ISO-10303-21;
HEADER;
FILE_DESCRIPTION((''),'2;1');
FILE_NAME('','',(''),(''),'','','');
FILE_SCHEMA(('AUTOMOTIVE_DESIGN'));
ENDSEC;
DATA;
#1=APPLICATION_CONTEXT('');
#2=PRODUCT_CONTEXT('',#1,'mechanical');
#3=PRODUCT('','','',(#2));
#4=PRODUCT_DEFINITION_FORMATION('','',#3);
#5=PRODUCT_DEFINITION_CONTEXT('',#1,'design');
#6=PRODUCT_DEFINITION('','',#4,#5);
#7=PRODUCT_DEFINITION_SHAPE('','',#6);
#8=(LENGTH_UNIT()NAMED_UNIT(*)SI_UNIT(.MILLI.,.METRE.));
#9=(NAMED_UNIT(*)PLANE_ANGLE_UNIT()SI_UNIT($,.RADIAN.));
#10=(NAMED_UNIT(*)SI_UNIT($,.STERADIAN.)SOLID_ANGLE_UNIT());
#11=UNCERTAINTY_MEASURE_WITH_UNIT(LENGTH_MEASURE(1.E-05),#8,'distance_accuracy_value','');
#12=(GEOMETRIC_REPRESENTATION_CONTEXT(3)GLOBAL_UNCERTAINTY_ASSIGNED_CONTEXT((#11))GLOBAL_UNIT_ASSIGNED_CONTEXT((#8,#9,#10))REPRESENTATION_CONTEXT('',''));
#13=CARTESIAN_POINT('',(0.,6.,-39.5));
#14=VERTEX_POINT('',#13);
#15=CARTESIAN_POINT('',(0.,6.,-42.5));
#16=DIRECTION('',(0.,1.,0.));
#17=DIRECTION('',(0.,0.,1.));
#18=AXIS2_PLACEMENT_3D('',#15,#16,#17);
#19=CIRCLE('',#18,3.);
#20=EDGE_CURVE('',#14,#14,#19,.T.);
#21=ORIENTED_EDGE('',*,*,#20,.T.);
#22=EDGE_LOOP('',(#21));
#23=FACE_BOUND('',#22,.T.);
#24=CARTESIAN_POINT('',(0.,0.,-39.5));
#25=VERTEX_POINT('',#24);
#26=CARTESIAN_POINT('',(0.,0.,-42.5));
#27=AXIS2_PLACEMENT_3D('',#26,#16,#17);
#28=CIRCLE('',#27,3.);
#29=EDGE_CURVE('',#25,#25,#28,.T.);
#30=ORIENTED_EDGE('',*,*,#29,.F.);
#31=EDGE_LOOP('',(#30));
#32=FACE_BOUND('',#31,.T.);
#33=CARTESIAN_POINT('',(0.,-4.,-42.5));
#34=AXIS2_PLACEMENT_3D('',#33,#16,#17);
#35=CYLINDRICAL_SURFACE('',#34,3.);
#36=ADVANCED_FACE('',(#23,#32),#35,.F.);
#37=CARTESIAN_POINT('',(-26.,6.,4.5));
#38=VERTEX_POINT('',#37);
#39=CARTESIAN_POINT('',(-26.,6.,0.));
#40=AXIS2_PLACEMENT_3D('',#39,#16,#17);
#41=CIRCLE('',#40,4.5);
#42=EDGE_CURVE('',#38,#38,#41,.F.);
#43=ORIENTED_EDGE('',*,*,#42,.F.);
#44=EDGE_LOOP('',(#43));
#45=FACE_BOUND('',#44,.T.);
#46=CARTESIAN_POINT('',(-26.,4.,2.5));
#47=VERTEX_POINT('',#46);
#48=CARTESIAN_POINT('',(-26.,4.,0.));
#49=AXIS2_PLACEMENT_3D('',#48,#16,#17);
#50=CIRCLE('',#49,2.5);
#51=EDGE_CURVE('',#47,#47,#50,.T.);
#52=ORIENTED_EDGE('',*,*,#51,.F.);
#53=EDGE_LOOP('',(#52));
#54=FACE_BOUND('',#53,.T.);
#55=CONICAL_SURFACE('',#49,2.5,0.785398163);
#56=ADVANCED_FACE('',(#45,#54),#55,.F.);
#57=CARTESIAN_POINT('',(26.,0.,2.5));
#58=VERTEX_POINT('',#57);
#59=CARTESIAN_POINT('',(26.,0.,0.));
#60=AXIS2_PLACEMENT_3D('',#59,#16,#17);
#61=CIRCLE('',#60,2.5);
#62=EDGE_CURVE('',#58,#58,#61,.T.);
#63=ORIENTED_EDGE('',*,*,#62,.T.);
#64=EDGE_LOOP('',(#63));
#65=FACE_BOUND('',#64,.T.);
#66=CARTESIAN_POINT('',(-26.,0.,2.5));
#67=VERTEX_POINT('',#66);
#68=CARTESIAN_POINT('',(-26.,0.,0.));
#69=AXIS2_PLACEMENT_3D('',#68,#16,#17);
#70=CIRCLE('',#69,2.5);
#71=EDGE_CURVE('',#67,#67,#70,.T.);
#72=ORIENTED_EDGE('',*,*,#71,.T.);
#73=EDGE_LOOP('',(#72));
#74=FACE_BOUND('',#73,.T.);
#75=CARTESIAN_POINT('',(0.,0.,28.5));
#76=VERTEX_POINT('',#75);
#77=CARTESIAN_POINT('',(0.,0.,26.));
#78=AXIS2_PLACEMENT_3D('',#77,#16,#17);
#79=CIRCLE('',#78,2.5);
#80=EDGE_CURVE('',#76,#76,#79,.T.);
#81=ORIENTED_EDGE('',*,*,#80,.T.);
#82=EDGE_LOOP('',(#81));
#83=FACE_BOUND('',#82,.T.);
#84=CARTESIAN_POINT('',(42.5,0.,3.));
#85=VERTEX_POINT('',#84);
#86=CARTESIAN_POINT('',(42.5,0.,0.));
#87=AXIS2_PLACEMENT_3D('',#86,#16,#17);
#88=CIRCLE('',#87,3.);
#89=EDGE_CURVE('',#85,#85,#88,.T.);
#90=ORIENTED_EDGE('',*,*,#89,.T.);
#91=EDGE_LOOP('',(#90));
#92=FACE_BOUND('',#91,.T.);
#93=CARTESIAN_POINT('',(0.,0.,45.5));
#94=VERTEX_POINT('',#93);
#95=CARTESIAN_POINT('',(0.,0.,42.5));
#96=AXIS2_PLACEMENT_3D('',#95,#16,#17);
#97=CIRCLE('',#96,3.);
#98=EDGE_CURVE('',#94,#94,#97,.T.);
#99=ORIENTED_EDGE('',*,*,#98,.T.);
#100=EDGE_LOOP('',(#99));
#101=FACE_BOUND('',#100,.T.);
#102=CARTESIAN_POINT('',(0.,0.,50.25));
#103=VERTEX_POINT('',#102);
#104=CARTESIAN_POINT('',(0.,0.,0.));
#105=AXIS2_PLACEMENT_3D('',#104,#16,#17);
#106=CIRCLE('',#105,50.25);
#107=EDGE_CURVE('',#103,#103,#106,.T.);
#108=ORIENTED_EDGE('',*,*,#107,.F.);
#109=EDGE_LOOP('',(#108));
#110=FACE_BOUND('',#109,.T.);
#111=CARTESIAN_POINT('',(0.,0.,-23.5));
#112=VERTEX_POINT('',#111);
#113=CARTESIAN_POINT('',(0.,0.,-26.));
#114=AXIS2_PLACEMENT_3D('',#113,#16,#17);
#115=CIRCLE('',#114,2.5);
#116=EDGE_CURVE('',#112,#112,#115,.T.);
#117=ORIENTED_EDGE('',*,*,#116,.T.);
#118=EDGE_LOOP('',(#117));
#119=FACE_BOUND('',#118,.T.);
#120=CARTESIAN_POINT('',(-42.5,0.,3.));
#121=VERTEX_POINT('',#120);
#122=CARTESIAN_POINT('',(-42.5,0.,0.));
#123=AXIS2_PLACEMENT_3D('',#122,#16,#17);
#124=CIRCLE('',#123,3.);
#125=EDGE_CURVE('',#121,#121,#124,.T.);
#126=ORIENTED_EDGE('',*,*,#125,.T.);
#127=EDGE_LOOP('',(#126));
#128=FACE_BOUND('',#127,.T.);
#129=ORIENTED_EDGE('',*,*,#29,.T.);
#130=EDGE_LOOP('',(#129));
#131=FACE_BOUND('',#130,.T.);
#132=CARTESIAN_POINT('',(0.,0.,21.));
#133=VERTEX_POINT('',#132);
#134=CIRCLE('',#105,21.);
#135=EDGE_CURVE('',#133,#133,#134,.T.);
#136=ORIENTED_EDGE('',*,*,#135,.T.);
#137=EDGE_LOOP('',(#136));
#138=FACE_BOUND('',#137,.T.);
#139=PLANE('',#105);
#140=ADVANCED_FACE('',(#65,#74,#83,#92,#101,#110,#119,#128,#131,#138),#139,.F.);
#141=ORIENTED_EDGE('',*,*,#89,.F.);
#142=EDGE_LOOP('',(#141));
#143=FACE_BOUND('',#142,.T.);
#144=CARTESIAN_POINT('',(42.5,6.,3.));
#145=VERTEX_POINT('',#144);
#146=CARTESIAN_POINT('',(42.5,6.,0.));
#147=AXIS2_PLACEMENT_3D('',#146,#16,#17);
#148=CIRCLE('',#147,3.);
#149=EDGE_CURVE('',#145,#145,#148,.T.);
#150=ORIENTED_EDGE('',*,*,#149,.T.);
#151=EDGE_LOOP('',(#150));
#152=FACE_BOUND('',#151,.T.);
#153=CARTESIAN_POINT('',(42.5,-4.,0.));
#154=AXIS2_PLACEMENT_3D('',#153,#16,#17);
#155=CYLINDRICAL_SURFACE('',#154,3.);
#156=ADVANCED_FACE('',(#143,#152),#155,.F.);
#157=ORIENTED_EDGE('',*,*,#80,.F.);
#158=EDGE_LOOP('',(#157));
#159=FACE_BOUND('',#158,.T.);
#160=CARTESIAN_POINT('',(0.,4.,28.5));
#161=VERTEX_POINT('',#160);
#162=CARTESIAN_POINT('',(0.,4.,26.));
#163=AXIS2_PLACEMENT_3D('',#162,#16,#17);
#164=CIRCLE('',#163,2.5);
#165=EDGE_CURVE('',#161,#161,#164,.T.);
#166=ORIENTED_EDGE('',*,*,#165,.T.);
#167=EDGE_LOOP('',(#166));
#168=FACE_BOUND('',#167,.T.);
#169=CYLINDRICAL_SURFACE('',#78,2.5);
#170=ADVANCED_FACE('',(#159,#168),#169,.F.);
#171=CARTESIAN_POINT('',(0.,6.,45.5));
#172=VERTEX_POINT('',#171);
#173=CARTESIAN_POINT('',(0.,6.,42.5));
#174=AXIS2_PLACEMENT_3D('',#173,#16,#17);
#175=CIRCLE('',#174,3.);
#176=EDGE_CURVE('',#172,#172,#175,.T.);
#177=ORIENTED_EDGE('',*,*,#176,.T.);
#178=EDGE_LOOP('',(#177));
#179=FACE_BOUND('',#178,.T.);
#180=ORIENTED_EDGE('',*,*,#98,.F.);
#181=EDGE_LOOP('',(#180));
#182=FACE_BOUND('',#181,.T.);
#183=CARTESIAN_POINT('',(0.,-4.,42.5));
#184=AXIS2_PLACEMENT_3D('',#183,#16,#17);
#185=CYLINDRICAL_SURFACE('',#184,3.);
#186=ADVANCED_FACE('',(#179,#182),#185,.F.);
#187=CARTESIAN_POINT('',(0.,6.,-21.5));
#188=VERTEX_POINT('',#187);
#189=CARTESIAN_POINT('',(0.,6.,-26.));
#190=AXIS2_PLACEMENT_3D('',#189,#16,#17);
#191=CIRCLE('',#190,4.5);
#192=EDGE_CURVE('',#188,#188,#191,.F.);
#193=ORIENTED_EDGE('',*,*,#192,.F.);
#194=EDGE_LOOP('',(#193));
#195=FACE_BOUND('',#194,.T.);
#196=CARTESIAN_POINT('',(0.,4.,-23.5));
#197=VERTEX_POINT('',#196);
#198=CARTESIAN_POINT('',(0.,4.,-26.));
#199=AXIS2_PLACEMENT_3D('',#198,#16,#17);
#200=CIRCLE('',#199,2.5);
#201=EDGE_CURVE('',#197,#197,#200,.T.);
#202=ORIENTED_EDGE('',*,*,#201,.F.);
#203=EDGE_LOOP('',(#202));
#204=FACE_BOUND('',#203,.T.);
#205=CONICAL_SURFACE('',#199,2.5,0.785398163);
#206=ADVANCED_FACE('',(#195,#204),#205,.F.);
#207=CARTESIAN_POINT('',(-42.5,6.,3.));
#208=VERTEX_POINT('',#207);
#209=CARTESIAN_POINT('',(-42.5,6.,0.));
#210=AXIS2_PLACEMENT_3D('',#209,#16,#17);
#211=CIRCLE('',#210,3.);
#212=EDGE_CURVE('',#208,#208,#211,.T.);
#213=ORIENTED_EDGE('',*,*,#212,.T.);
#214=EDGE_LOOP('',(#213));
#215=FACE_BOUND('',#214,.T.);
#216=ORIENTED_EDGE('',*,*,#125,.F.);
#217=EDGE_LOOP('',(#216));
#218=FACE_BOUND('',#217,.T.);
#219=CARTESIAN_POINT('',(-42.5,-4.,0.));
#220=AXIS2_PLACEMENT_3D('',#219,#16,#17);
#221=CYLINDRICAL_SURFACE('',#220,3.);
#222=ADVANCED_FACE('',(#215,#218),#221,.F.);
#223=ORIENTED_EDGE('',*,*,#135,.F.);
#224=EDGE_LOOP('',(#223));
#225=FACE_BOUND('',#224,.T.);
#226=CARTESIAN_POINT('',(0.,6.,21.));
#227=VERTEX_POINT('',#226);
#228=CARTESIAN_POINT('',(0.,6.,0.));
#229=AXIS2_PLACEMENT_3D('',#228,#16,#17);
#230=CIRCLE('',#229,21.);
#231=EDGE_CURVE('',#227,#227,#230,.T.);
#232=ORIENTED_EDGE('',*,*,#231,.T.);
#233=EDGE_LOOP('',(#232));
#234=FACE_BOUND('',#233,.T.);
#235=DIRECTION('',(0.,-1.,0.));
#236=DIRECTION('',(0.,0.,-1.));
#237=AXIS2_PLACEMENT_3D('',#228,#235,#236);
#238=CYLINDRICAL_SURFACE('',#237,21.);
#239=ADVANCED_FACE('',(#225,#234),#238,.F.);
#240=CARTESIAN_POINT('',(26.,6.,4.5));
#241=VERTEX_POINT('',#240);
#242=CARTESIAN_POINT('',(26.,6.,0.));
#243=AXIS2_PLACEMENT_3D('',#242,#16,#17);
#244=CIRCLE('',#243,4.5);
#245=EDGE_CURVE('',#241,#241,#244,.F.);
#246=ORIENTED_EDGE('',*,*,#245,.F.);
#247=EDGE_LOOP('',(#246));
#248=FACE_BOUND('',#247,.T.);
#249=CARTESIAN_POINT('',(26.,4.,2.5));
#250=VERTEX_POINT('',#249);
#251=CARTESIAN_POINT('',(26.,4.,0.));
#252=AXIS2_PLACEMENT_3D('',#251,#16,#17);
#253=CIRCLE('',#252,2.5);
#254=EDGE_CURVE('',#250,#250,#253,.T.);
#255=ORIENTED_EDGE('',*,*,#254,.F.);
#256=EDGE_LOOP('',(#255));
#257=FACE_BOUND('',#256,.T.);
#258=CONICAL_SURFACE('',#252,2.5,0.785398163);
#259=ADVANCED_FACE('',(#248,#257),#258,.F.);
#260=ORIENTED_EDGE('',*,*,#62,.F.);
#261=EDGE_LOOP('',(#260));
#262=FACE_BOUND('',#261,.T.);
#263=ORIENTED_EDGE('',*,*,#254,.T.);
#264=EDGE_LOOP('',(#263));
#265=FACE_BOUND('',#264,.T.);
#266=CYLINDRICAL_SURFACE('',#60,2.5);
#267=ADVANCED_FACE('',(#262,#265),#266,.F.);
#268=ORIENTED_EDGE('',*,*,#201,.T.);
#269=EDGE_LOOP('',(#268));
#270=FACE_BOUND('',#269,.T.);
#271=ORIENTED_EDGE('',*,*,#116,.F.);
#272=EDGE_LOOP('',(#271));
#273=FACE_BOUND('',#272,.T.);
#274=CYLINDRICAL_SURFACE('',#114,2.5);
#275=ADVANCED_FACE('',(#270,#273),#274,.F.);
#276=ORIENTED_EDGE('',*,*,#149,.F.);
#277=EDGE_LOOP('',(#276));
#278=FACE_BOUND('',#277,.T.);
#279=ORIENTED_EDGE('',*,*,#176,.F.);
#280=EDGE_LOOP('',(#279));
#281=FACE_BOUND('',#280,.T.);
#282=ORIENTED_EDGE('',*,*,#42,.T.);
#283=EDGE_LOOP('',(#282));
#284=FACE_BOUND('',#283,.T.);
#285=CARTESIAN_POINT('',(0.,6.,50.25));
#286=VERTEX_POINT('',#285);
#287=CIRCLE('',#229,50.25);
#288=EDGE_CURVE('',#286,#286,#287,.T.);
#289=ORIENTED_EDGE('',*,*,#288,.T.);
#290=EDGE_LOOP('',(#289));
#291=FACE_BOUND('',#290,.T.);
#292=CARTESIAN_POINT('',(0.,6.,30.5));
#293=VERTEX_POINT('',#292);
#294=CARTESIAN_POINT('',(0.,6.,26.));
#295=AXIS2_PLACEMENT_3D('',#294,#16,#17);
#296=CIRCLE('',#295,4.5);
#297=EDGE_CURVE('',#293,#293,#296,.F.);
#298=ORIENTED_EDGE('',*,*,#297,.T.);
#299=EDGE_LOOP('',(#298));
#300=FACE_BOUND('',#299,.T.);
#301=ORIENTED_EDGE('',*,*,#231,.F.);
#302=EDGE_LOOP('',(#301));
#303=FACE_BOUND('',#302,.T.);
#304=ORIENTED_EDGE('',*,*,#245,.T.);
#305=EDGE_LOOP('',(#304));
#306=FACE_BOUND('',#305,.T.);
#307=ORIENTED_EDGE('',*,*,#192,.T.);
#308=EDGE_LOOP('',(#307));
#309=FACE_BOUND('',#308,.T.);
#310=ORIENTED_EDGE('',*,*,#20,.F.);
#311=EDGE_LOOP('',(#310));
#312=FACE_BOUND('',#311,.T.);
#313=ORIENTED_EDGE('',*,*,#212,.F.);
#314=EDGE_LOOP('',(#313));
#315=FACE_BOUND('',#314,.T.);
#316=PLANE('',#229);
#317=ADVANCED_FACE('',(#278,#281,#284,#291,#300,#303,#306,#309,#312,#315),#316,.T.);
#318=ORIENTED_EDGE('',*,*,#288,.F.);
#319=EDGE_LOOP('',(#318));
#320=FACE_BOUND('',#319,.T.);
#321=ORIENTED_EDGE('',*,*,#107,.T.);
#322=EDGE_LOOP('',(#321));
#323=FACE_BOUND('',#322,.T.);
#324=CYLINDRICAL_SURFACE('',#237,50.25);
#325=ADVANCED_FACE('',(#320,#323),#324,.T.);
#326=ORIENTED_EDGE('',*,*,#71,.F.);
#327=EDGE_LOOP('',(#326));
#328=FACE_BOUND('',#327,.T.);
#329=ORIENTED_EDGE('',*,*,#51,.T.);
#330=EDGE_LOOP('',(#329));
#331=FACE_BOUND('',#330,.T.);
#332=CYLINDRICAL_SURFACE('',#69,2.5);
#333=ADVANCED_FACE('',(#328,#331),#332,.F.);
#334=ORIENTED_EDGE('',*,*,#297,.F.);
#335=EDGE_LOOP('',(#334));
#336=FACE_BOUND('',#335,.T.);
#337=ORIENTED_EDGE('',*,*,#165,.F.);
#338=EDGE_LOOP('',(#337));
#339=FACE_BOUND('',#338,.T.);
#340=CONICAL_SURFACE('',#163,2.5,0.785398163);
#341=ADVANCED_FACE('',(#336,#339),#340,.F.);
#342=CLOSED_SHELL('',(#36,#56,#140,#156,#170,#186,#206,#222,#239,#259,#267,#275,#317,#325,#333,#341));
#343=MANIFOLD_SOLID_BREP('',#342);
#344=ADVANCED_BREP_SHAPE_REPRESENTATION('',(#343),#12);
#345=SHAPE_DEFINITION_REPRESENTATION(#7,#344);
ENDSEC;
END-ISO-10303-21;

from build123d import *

# Parameters (mm, degrees)
SKETCH_1_R          = 50.25
SKETCH_1_R_2        = 21
EXTRUDE_1_DEPTH     = 6
SKETCH_2_R          = 2.5
CUT_EXTRUDE_1_DEPTH = 6
SKETCH_3_R          = 3
CUT_EXTRUDE_2_DEPTH = 10
CHAMFER_1_SIZE      = 2


with BuildPart() as part:
    # Эскиз1 → Бобышка-Вытянуть1 (new body)
    with BuildSketch(Plane(origin=(0, 0, 0), x_dir=(1, 0, 0), z_dir=(0, 1, 0))):
        with Locations(Location((0, 0, 0), (0, 0, 270))):
            Circle(SKETCH_1_R)
        with Locations(Location((0, 0, 0), (0, 0, 270))):
            Circle(SKETCH_1_R_2, mode=Mode.SUBTRACT)
    extrude(amount=EXTRUDE_1_DEPTH)

    # Эскиз2 → Вырез-Вытянуть1 (cut)
    with BuildSketch(Plane(origin=(0, 6, 0), x_dir=(1, 0, 0), z_dir=(0, 1, 0))):
        with Locations(Location((0, 26, 0), (0, 0, 270))):
            Circle(SKETCH_2_R)
        with Locations(Location((-26, 0, 0), (0, 0, 270))):
            Circle(SKETCH_2_R)
        with Locations(Location((26, 0, 0), (0, 0, 270))):
            Circle(SKETCH_2_R)
        with Locations(Location((0, -26, 0), (0, 0, 270))):
            Circle(SKETCH_2_R)
    extrude(amount=-CUT_EXTRUDE_1_DEPTH, mode=Mode.SUBTRACT)

    # Эскиз3 → Вырез-Вытянуть2 (cut)
    with BuildSketch(Plane(origin=(0, 6, 0), x_dir=(1, 0, 0), z_dir=(0, 1, 0))):
        with Locations(Location((-42.5, 0, 0), (0, 0, 270))):
            Circle(SKETCH_3_R)
        with Locations(Location((0, 42.5, 0), (0, 0, 270))):
            Circle(SKETCH_3_R)
        with Locations(Location((42.5, 0, 0), (0, 0, 270))):
            Circle(SKETCH_3_R)
        with Locations(Location((0, -42.5, 0), (0, 0, 270))):
            Circle(SKETCH_3_R)
    extrude(amount=-CUT_EXTRUDE_2_DEPTH, mode=Mode.SUBTRACT)

    # Фаска1
    chamfer_1_edges = [part.edges().sort_by_distance(p)[0] for p in [
        (0, 6, -28.5),
        (-26, 6, -2.5),
        (26, 6, -2.5),
        (0, 6, 23.5),
    ]]
    chamfer(chamfer_1_edges, length=CHAMFER_1_SIZE)


solid = part.part
